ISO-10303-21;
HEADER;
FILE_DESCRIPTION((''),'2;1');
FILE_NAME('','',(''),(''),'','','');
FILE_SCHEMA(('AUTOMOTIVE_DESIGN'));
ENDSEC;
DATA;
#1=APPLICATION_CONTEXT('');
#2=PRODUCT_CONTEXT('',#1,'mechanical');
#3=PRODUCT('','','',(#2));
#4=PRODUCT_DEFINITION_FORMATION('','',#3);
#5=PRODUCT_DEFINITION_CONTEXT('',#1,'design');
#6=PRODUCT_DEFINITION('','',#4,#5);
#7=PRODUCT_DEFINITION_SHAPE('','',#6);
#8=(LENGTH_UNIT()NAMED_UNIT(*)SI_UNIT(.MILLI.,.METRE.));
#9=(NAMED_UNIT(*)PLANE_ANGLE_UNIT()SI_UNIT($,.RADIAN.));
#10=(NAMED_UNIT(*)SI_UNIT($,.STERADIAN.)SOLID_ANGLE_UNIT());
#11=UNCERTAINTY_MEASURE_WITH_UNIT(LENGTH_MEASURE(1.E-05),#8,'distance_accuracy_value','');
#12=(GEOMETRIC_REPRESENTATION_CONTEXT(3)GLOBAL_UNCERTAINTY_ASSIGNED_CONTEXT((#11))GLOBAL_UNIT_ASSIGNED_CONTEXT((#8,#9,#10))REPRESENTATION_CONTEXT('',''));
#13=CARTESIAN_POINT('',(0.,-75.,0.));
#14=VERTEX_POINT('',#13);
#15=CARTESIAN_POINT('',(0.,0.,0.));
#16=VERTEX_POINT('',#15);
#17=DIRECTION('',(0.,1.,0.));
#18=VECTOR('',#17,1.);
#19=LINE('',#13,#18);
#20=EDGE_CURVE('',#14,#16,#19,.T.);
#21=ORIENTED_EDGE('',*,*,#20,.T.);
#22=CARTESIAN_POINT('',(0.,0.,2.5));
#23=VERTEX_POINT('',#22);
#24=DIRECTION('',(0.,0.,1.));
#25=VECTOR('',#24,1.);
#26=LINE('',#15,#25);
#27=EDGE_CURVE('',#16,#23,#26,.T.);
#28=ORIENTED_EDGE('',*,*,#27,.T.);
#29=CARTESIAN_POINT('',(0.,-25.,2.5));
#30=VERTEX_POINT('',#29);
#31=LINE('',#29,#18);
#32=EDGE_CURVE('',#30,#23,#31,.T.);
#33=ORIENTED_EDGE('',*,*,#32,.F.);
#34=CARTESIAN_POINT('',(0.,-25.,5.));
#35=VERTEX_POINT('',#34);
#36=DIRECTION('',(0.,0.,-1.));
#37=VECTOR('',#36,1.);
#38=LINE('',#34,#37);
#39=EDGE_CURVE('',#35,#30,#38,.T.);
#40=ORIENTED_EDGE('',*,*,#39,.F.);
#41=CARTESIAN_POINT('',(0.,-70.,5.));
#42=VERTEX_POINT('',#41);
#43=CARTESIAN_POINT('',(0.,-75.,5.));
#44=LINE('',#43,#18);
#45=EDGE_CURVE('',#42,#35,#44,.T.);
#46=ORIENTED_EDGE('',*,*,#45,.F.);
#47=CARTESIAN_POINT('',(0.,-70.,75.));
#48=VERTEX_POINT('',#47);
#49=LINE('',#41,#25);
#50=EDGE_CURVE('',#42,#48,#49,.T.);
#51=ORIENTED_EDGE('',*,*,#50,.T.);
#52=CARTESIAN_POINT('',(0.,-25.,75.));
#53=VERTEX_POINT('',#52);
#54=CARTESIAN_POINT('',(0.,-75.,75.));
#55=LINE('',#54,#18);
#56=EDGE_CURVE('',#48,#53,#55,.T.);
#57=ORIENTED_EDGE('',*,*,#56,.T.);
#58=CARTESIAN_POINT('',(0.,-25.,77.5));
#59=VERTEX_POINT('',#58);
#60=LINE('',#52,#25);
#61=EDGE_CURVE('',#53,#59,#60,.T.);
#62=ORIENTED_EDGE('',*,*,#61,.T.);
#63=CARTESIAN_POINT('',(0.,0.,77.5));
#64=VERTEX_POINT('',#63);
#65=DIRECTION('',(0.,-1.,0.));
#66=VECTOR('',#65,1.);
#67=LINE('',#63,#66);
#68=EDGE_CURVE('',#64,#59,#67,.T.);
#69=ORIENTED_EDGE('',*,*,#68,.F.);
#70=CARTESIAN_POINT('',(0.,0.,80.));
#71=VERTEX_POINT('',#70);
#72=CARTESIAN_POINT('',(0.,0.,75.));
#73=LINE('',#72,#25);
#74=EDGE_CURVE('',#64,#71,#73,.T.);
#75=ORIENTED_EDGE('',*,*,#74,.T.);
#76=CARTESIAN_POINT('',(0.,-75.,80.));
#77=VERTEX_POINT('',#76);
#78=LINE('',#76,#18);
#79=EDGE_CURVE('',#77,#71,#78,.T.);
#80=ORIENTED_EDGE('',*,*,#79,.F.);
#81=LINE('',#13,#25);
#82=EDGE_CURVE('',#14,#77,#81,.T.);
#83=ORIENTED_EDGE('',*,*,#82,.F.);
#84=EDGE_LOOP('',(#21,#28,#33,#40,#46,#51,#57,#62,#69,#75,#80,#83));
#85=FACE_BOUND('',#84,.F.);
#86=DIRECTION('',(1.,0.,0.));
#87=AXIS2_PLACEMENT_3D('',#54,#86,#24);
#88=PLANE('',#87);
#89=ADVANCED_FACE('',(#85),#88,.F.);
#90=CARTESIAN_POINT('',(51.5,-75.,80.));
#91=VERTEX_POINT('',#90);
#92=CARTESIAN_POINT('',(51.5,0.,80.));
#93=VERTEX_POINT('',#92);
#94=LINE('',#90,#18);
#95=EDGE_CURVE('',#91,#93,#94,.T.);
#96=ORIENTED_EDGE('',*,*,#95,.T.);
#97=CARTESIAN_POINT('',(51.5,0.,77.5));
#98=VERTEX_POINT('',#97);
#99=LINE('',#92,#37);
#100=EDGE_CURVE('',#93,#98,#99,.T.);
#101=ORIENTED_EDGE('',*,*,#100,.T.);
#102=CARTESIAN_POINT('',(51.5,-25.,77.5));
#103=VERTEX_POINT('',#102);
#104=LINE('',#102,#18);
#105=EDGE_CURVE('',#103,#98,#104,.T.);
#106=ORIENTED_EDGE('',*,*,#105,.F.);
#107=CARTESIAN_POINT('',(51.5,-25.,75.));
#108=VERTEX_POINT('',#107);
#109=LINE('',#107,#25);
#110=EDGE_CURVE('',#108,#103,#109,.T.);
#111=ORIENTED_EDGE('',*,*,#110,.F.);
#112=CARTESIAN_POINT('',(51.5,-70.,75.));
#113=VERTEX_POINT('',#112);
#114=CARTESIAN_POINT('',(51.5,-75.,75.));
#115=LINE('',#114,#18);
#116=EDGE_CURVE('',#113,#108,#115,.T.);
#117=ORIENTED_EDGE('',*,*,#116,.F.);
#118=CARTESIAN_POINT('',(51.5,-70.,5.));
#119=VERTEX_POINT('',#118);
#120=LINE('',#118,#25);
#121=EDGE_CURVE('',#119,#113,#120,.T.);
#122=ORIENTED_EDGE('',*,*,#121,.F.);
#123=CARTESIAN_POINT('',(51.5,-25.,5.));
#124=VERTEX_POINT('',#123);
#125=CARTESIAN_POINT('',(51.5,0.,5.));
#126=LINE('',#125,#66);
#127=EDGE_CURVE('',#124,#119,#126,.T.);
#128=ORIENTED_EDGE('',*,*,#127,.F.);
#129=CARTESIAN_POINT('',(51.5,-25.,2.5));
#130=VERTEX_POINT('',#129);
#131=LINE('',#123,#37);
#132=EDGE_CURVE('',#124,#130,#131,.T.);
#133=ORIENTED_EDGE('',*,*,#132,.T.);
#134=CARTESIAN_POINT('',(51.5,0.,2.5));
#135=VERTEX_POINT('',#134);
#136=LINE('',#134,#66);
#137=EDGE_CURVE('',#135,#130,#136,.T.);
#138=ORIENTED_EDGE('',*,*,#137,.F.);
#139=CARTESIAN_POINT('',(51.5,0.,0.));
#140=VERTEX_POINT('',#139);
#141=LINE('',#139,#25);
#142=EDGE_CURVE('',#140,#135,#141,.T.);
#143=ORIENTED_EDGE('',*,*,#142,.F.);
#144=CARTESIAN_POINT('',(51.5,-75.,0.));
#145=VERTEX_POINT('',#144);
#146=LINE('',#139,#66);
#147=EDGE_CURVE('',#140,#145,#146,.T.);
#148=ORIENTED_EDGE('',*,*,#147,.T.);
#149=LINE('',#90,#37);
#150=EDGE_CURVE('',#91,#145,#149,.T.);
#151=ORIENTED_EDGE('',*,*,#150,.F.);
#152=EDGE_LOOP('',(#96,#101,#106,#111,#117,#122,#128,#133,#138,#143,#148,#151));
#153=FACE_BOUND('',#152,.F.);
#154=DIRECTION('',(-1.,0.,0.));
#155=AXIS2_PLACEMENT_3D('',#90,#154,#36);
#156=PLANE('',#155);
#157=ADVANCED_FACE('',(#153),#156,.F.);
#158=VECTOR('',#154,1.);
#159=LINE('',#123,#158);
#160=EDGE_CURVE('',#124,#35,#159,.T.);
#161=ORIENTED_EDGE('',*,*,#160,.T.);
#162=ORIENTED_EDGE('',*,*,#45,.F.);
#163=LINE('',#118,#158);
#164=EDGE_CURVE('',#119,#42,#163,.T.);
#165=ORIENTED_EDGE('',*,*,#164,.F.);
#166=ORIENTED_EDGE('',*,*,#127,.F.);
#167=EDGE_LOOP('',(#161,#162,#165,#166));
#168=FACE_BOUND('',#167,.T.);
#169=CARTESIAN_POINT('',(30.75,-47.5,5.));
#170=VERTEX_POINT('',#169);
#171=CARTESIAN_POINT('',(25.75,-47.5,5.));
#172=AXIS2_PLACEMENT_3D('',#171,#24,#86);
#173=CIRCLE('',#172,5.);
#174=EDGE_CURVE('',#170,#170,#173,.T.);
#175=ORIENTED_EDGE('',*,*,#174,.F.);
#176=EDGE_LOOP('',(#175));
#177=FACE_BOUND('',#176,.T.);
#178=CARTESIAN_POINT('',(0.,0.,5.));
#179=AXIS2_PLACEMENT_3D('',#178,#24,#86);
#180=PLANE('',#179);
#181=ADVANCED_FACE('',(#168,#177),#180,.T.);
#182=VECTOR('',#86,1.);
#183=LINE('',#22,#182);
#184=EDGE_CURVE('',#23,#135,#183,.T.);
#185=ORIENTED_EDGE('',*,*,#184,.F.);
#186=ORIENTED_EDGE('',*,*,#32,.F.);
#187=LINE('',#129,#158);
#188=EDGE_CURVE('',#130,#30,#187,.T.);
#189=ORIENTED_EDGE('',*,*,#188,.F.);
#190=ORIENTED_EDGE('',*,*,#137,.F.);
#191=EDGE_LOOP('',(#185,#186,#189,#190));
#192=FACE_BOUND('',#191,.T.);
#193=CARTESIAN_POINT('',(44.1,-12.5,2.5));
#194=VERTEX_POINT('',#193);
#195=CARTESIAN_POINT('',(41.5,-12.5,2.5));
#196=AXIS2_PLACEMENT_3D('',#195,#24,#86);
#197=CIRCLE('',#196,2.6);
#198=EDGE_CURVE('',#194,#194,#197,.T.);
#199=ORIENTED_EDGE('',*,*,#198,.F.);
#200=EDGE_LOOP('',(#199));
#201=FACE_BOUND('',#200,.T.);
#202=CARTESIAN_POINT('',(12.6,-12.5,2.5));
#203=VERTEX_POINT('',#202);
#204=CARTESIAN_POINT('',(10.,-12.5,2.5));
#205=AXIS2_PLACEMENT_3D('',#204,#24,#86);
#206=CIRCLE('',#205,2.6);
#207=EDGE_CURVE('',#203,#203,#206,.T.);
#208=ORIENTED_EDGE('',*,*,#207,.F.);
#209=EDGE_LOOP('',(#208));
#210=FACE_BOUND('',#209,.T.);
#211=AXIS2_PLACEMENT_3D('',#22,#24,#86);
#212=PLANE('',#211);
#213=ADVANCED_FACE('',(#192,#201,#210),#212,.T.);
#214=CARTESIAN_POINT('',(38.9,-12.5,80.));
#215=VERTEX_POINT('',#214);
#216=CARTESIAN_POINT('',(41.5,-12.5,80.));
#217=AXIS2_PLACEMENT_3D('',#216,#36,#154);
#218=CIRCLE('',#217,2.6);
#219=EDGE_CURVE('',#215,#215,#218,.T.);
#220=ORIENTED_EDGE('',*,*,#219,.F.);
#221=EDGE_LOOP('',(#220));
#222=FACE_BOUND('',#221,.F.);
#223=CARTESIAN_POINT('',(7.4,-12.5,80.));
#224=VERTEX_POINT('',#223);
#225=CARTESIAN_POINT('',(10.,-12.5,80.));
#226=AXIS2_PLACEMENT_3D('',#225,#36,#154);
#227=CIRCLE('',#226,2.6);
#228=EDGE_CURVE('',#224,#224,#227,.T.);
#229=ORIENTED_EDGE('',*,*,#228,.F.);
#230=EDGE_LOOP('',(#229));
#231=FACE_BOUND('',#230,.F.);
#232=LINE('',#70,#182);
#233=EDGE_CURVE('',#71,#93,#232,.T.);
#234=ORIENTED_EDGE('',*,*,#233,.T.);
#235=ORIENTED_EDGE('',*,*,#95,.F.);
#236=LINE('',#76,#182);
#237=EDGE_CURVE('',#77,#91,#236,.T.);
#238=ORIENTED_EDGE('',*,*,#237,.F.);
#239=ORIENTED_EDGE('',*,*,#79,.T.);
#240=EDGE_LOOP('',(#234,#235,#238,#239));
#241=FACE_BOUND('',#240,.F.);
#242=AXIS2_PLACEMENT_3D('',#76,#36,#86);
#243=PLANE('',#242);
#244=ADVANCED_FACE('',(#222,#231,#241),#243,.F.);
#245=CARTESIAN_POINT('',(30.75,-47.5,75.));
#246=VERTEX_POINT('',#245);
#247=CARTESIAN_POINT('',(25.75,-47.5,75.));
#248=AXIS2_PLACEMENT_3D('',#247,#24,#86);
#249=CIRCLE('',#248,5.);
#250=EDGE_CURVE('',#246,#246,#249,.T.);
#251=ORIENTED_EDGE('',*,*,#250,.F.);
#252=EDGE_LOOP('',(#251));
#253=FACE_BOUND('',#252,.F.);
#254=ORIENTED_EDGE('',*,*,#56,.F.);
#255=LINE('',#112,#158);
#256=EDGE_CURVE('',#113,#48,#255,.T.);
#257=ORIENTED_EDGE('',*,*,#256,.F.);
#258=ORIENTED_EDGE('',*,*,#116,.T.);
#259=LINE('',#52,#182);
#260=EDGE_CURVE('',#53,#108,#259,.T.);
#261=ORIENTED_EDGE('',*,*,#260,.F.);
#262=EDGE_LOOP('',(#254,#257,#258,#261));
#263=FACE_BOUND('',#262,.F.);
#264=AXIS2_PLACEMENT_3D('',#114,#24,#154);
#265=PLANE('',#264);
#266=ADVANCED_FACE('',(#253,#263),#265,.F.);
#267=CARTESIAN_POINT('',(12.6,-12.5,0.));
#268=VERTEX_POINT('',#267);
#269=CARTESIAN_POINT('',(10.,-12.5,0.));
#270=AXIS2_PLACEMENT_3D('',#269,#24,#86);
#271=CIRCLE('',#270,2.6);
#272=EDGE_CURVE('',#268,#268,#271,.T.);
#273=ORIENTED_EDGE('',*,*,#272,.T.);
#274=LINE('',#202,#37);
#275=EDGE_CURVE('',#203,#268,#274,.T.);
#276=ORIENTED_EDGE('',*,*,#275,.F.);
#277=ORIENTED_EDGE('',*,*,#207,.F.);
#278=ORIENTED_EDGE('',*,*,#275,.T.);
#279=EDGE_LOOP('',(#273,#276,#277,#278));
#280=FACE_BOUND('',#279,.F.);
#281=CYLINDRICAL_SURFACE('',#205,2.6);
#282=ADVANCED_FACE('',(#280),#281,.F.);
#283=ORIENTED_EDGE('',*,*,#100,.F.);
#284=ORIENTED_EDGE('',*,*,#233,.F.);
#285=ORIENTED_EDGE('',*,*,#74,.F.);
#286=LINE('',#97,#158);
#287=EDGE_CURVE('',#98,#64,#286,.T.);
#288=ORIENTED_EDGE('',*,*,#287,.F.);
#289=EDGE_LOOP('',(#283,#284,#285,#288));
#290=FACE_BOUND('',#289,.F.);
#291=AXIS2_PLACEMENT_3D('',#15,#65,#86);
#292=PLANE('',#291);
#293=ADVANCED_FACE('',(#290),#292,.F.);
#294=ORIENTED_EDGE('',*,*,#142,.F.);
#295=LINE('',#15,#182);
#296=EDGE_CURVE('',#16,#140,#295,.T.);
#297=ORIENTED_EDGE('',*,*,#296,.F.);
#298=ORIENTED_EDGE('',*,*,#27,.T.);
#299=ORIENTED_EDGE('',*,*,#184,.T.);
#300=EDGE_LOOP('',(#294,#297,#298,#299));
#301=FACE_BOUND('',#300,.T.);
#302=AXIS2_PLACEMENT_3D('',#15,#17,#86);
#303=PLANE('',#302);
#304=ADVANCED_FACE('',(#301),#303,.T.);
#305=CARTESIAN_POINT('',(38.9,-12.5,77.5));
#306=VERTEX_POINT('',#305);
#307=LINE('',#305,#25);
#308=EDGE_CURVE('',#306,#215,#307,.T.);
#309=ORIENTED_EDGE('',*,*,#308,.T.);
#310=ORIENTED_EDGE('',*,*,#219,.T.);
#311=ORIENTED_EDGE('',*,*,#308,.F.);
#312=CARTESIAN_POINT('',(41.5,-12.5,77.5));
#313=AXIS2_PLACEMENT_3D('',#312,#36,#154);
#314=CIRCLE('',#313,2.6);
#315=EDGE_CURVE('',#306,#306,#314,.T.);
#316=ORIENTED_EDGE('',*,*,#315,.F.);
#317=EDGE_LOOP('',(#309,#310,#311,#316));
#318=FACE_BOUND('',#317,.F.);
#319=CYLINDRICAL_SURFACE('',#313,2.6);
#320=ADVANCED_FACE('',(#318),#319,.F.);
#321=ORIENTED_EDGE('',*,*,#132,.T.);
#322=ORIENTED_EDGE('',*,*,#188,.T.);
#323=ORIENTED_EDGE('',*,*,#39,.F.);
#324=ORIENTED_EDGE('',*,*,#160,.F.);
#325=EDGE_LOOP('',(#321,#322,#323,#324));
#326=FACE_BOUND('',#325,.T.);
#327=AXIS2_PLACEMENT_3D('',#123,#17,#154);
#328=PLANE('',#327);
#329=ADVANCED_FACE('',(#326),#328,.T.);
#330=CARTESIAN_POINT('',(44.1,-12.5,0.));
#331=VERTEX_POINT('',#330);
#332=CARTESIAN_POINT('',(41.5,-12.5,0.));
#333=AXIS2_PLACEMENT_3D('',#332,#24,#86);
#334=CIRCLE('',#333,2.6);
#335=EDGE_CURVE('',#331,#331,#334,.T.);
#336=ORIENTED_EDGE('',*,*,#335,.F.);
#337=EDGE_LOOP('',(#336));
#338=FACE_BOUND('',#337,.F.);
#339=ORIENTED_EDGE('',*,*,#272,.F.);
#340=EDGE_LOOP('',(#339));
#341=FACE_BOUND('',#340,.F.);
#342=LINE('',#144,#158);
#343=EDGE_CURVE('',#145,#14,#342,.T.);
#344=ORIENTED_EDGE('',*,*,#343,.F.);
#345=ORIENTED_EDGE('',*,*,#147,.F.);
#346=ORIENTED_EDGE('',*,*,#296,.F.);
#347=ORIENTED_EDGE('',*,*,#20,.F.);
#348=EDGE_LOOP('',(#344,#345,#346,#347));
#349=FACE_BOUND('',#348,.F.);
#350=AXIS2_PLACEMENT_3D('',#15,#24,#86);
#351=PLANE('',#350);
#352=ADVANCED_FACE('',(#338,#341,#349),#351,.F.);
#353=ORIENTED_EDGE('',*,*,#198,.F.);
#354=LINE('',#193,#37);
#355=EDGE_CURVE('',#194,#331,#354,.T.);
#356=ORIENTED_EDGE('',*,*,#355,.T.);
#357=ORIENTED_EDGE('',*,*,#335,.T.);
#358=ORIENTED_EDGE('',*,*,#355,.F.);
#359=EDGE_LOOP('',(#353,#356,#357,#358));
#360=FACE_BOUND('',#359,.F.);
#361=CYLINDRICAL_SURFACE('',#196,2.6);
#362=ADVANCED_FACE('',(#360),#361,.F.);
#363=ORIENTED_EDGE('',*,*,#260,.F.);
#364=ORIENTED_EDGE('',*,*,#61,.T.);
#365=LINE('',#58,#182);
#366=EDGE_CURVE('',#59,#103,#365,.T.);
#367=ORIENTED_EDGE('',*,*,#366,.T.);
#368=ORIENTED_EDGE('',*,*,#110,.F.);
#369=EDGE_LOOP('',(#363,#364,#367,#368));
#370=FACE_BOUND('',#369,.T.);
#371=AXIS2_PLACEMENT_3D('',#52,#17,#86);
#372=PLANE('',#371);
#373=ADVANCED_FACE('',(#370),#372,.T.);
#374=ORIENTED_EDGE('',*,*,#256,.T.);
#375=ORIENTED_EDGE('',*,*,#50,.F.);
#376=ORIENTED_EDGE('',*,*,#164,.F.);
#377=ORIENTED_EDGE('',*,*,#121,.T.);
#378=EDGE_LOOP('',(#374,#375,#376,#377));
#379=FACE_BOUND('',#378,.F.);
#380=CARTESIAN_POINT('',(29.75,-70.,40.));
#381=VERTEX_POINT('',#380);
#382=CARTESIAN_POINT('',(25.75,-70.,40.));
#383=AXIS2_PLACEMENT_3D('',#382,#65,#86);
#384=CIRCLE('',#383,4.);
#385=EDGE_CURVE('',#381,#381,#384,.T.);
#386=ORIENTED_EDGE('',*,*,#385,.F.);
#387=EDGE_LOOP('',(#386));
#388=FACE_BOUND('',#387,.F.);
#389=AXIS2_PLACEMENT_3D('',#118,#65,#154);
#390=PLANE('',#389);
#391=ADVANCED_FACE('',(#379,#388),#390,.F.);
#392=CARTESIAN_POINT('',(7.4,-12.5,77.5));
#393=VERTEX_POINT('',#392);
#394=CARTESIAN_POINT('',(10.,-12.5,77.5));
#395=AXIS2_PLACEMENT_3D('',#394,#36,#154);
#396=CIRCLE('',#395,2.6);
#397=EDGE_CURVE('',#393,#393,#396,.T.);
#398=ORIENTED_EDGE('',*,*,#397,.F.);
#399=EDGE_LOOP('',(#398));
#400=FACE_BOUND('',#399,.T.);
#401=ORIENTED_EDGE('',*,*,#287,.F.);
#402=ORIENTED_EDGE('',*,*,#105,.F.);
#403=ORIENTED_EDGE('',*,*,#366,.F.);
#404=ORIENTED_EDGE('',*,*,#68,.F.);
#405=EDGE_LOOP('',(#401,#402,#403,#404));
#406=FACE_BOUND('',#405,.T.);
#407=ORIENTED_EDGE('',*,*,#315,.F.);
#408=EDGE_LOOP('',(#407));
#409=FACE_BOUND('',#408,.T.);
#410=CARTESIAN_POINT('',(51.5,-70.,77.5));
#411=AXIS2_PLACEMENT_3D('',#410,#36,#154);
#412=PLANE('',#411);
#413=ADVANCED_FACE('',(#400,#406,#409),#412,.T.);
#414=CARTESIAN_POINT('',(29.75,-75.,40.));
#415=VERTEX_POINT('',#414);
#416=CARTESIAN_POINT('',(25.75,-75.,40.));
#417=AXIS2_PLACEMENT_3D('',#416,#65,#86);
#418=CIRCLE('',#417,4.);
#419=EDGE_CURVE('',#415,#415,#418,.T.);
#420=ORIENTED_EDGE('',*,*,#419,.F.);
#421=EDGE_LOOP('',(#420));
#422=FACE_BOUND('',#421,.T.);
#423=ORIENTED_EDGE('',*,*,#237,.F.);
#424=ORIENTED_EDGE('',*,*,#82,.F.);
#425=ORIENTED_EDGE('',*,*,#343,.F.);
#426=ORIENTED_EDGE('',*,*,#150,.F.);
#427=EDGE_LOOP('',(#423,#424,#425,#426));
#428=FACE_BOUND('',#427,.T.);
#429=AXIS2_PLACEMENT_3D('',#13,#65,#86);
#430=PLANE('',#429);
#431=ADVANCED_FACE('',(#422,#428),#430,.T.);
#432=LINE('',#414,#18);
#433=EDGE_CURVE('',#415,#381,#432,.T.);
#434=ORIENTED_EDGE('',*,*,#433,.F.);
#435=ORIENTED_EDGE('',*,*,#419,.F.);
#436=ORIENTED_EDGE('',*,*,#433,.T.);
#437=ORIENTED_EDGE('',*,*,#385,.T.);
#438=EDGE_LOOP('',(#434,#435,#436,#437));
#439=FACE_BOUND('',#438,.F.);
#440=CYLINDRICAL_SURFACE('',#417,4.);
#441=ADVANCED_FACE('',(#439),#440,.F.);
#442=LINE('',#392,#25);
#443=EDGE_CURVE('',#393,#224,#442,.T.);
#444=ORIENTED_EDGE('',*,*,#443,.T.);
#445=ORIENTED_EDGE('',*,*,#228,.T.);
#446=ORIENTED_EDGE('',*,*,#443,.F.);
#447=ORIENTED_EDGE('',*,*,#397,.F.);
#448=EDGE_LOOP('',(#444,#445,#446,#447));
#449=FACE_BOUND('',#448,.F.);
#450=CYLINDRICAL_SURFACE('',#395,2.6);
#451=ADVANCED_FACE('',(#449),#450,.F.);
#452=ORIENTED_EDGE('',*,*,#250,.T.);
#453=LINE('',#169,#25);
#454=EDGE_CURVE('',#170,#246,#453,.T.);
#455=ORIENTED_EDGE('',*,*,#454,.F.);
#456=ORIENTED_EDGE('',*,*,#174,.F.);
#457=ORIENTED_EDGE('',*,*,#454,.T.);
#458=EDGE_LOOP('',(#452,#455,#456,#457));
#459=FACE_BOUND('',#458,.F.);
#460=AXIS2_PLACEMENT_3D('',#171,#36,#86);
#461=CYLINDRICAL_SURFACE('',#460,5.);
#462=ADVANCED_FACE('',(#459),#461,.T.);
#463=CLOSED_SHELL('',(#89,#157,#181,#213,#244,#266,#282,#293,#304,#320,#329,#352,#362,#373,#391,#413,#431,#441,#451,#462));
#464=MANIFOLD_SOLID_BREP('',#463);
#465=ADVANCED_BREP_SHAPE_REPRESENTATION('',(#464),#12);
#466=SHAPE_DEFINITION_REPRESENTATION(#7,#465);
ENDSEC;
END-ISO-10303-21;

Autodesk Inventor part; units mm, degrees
ref_plane "YZ Plane" through (0, 0, 0) normal (1, 0, 0) x (0, 1, 0)
ref_plane "XZ Plane" through (0, 0, 0) normal (0, 1, 0) x (-1, 0, 0)
ref_plane "XY Plane" through (0, 0, 0) normal (0, 0, 1) x (1, 0, 0)
sketch "Esquisse1" plane through (0, 0, 0) normal (0, 0, 1) x (1, 0, 0)
  line L0 (0, 0) -> (51.5, 0)
  line L1 (51.5, 0) -> (51.5, -75)
  line L2 (51.5, -75) -> (0, -75)
  line L3 (0, -75) -> (0, 0)
  dimension "d0" = 51.5
  dimension "d1" = 75
extrude "Extrusion1" add sketch "Esquisse1" along normal blind 5
sketch "Esquisse2" plane through (0, 0, 5) normal (0, 0, 1) x (1, 0, 0)
  line L0 (0, 0) -> (51.5, 0)
  line L1 (51.5, 0) -> (51.5, -25)
  line L2 (51.5, -25) -> (0, -25)
  line L3 (0, -25) -> (0, 0)
  dimension "d4" = 25
extrude "Extrusion2" cut sketch "Esquisse2" against normal blind 2.5
sketch "Esquisse3" plane through (0, 0, 2.5) normal (0, 0, 1) x (1, 0, 0)
  circle A0 centre (10, -12.5) radius 2.6
  circle A1 centre (41.5, -12.5) radius 2.6
  line L0 (0, 0) -> (51.5, 0) projected
  line L1 (0, -25) -> (0, 0) projected
  line L2 (51.5, 0) -> (51.5, -25) projected
  dimension "d7" = 5.2
  dimension "d8" = 5.2
  dimension "d9" = 12.5
  dimension "d10" = 10
  dimension "d11" = 12.5
  dimension "d12" = 10
extrude "Extrusion3" cut sketch "Esquisse3" against normal blind 2.5
sketch "Esquisse4" plane through (0, 0, 5) normal (0, 0, 1) x (1, 0, 0)
  line L0 (0, -75) -> (51.5, -75)
  line L1 (51.5, -75) -> (51.5, -70)
  line L2 (51.5, -70) -> (0, -70)
  line L3 (0, -70) -> (0, -75)
  dimension "d15" = 5
extrude "Extrusion4" add sketch "Esquisse4" along normal blind 70
sketch "Esquisse6" plane through (0, -75, 0) normal (0, -1, 0) x (1, 0, 0)
  line L0 (51.5, 5) -> (51.5, 75) projected
  line L1 (51.5, 75) -> (0, 75)
  line L2 (0, 75) -> (0, 80)
  line L3 (0, 80) -> (51.5, 80)
  line L4 (51.5, 80) -> (51.5, 75)
  point P0 (0, 0)
  dimension "d19" = 5
extrude "Extrusion5" add sketch "Esquisse6" against normal blind 75
sketch "Esquisse7" plane through (51.5, -70, 75) normal (0, 0, -1) x (-1, 0, 0)
  line L0 (0, 70) -> (51.5, 70) projected
  line L1 (0, 70) -> (51.5, 70)
  line L2 (51.5, 70) -> (51.5, 45)
  line L3 (51.5, 45) -> (0, 45)
  line L4 (0, 45) -> (0, 70)
  dimension "d22" = 25
extrude "Extrusion6" cut sketch "Esquisse7" against normal blind 2.5
sketch "Esquisse8" plane through (51.5, -70, 77.5) normal (0, 0, -1) x (-1, 0, 0)
  circle A0 centre (10, 57.5) radius 2.6
  circle A1 centre (41.5, 57.5) radius 2.6
  line L0 (0, 45) -> (0, 70) projected
  line L1 (51.5, 70) -> (51.5, 45) projected
  line L2 (0, 70) -> (51.5, 70) projected
  dimension "d25" = 5.2
  dimension "d26" = 5.2
  dimension "d27" = 10
  dimension "d28" = 10
  dimension "d29" = 12.5
  dimension "d30" = 12.5
extrude "Extrusion7" cut sketch "Esquisse8" against normal blind 2.5
sketch "Esquisse9" plane through (0, -75, 0) normal (0, -1, 0) x (1, 0, 0)
  line L0 (0, 80) -> (51.5, 80) construction
  line L1 (51.5, 0) -> (51.5, 2.5) construction
  line L2 (0, 80) -> (51.5, 0) construction
  line L3 (51.5, 80) -> (0, 0) construction
  circle A0 centre (25.75, 40) radius 4
  dimension "d33" = 8
extrude "Extrusion8" cut sketch "Esquisse9" against normal blind 5
sketch "Esquisse10" plane through (0, 0, 5) normal (0, 0, 1) x (1, 0, 0)
  line L0 (0, -70) -> (51.5, -70) construction
  line L1 (51.5, -25) -> (0, -25) construction
  line L2 (0, -70) -> (51.5, -25) construction
  line L3 (51.5, -70) -> (51.5, -25) construction
  line L4 (0, -25) -> (0, -70) construction
  line L5 (51.5, -70) -> (0, -25) construction
  circle A0 centre (25.75, -47.5) radius 5
  point P0 (0, 0)
  dimension "d36" = 10
extrude "Extrusion9" add sketch "Esquisse10" along normal blind 70
properties part number "Forearm2 v2" material "Plastique ABS"
